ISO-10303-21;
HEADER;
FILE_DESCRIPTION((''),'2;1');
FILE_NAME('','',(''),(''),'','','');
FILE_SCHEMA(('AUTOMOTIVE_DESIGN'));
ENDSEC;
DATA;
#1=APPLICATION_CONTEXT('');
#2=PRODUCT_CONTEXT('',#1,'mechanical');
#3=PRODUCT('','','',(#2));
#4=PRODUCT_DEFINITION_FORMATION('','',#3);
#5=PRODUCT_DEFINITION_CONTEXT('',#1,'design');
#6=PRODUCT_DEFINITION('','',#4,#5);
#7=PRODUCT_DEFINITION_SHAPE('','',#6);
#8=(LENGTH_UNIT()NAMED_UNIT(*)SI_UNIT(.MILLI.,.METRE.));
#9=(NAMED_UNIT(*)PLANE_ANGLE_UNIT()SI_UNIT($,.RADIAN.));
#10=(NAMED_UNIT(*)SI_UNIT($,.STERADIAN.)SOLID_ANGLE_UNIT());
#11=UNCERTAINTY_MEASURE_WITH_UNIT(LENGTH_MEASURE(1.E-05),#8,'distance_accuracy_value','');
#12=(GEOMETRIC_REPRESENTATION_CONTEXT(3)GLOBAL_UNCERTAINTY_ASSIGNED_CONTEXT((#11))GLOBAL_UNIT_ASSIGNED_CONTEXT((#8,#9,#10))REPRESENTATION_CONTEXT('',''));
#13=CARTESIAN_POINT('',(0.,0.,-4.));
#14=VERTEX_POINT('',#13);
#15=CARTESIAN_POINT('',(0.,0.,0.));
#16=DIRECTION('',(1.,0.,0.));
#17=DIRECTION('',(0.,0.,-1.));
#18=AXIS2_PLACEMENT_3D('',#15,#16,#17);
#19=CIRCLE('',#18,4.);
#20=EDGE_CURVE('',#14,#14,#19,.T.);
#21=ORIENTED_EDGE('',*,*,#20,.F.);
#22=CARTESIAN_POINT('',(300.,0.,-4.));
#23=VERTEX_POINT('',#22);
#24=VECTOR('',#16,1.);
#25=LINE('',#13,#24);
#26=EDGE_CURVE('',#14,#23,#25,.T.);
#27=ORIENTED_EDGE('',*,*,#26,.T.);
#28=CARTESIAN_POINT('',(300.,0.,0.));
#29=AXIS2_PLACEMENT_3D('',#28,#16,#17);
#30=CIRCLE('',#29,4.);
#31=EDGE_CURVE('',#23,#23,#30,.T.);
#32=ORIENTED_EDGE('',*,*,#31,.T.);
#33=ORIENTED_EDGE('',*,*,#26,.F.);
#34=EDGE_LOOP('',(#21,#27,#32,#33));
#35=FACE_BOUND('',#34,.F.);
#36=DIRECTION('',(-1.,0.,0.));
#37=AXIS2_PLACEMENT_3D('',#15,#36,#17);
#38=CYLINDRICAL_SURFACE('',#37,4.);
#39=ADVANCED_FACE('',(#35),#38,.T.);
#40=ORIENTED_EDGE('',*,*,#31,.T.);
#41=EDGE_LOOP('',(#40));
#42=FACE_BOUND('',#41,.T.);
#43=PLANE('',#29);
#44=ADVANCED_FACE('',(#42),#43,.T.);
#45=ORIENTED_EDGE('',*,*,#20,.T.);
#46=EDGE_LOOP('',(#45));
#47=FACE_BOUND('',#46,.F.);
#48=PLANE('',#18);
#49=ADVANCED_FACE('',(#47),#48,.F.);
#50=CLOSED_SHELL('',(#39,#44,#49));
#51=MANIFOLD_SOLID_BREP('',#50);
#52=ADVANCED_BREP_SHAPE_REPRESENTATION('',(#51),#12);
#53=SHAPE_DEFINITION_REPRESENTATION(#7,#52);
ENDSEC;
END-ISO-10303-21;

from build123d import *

# Parameters (mm, degrees)
SKETCH1_R           = 4
BOSS_EXTRUDE1_DEPTH = 300


with BuildPart() as part:
    # Sketch1 → Boss-Extrude1 (new body)
    with BuildSketch(Plane(origin=(0, 0, 0), x_dir=(0, 0, -1), z_dir=(1, 0, 0))):
        Circle(SKETCH1_R)
    extrude(amount=BOSS_EXTRUDE1_DEPTH)


solid = part.part
